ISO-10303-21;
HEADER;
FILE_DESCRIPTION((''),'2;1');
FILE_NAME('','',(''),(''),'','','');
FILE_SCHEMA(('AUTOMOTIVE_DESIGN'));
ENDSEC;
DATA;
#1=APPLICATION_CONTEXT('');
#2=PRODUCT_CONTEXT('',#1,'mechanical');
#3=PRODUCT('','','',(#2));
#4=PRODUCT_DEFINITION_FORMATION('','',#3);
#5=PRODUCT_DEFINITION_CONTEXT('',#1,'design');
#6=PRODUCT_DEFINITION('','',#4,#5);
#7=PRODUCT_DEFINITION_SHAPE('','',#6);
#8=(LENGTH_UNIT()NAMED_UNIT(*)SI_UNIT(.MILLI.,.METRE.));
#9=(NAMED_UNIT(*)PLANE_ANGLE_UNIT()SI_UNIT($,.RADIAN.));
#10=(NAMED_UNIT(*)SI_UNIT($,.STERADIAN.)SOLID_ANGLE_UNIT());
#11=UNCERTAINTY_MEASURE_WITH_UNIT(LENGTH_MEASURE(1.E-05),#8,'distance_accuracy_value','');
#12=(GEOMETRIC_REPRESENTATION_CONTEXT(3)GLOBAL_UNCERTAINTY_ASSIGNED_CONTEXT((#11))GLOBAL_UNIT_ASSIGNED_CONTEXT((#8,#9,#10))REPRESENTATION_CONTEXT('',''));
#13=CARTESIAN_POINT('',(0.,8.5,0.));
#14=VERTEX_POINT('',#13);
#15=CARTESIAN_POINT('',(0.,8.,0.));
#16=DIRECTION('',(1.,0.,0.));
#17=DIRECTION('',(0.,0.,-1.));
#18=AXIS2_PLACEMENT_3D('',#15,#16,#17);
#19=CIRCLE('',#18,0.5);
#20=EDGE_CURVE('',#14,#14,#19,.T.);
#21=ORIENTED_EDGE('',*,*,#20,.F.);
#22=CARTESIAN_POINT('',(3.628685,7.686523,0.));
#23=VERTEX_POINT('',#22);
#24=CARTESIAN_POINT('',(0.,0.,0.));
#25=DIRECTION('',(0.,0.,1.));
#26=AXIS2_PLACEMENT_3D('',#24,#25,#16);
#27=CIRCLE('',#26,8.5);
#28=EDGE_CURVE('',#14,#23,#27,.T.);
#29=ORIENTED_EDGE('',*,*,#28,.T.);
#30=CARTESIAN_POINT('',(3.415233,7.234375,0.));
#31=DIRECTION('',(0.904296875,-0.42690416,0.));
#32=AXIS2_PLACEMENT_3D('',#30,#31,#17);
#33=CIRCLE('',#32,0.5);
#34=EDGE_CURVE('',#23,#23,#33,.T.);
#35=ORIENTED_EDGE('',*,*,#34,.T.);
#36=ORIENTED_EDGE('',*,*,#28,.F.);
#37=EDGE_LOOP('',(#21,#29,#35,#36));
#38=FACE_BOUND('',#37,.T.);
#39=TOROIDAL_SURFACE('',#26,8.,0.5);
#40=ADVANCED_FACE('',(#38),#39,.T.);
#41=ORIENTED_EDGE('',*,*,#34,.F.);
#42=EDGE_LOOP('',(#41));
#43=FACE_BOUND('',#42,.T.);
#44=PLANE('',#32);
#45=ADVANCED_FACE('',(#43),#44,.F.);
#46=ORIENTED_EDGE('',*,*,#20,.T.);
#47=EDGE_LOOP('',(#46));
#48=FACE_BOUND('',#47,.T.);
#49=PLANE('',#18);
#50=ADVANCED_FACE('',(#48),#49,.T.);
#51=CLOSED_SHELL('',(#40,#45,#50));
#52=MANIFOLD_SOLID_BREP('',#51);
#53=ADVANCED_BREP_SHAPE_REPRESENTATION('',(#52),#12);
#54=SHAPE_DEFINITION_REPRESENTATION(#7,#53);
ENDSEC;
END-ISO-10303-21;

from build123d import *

# Parameters (mm, degrees)
SKETCH2_R = 0.5


with BuildPart() as part:
    # Sweep1: sweep along a path in Sketch1
    with BuildLine(Plane.XY) as sweep1_path:
        ThreePointArc((0, 8), (-1.75, -7.806247498), (3.41523328, 7.234375))
    # Sketch2 → Sweep1 (sweep)
    with BuildSketch(Plane(origin=(0, 0, 0), x_dir=(0, 0, -1), z_dir=(1, 0, 0))):
        with Locations((0, 8)):
            Circle(SKETCH2_R)
    sweep(path=sweep1_path.line)


solid = part.part
